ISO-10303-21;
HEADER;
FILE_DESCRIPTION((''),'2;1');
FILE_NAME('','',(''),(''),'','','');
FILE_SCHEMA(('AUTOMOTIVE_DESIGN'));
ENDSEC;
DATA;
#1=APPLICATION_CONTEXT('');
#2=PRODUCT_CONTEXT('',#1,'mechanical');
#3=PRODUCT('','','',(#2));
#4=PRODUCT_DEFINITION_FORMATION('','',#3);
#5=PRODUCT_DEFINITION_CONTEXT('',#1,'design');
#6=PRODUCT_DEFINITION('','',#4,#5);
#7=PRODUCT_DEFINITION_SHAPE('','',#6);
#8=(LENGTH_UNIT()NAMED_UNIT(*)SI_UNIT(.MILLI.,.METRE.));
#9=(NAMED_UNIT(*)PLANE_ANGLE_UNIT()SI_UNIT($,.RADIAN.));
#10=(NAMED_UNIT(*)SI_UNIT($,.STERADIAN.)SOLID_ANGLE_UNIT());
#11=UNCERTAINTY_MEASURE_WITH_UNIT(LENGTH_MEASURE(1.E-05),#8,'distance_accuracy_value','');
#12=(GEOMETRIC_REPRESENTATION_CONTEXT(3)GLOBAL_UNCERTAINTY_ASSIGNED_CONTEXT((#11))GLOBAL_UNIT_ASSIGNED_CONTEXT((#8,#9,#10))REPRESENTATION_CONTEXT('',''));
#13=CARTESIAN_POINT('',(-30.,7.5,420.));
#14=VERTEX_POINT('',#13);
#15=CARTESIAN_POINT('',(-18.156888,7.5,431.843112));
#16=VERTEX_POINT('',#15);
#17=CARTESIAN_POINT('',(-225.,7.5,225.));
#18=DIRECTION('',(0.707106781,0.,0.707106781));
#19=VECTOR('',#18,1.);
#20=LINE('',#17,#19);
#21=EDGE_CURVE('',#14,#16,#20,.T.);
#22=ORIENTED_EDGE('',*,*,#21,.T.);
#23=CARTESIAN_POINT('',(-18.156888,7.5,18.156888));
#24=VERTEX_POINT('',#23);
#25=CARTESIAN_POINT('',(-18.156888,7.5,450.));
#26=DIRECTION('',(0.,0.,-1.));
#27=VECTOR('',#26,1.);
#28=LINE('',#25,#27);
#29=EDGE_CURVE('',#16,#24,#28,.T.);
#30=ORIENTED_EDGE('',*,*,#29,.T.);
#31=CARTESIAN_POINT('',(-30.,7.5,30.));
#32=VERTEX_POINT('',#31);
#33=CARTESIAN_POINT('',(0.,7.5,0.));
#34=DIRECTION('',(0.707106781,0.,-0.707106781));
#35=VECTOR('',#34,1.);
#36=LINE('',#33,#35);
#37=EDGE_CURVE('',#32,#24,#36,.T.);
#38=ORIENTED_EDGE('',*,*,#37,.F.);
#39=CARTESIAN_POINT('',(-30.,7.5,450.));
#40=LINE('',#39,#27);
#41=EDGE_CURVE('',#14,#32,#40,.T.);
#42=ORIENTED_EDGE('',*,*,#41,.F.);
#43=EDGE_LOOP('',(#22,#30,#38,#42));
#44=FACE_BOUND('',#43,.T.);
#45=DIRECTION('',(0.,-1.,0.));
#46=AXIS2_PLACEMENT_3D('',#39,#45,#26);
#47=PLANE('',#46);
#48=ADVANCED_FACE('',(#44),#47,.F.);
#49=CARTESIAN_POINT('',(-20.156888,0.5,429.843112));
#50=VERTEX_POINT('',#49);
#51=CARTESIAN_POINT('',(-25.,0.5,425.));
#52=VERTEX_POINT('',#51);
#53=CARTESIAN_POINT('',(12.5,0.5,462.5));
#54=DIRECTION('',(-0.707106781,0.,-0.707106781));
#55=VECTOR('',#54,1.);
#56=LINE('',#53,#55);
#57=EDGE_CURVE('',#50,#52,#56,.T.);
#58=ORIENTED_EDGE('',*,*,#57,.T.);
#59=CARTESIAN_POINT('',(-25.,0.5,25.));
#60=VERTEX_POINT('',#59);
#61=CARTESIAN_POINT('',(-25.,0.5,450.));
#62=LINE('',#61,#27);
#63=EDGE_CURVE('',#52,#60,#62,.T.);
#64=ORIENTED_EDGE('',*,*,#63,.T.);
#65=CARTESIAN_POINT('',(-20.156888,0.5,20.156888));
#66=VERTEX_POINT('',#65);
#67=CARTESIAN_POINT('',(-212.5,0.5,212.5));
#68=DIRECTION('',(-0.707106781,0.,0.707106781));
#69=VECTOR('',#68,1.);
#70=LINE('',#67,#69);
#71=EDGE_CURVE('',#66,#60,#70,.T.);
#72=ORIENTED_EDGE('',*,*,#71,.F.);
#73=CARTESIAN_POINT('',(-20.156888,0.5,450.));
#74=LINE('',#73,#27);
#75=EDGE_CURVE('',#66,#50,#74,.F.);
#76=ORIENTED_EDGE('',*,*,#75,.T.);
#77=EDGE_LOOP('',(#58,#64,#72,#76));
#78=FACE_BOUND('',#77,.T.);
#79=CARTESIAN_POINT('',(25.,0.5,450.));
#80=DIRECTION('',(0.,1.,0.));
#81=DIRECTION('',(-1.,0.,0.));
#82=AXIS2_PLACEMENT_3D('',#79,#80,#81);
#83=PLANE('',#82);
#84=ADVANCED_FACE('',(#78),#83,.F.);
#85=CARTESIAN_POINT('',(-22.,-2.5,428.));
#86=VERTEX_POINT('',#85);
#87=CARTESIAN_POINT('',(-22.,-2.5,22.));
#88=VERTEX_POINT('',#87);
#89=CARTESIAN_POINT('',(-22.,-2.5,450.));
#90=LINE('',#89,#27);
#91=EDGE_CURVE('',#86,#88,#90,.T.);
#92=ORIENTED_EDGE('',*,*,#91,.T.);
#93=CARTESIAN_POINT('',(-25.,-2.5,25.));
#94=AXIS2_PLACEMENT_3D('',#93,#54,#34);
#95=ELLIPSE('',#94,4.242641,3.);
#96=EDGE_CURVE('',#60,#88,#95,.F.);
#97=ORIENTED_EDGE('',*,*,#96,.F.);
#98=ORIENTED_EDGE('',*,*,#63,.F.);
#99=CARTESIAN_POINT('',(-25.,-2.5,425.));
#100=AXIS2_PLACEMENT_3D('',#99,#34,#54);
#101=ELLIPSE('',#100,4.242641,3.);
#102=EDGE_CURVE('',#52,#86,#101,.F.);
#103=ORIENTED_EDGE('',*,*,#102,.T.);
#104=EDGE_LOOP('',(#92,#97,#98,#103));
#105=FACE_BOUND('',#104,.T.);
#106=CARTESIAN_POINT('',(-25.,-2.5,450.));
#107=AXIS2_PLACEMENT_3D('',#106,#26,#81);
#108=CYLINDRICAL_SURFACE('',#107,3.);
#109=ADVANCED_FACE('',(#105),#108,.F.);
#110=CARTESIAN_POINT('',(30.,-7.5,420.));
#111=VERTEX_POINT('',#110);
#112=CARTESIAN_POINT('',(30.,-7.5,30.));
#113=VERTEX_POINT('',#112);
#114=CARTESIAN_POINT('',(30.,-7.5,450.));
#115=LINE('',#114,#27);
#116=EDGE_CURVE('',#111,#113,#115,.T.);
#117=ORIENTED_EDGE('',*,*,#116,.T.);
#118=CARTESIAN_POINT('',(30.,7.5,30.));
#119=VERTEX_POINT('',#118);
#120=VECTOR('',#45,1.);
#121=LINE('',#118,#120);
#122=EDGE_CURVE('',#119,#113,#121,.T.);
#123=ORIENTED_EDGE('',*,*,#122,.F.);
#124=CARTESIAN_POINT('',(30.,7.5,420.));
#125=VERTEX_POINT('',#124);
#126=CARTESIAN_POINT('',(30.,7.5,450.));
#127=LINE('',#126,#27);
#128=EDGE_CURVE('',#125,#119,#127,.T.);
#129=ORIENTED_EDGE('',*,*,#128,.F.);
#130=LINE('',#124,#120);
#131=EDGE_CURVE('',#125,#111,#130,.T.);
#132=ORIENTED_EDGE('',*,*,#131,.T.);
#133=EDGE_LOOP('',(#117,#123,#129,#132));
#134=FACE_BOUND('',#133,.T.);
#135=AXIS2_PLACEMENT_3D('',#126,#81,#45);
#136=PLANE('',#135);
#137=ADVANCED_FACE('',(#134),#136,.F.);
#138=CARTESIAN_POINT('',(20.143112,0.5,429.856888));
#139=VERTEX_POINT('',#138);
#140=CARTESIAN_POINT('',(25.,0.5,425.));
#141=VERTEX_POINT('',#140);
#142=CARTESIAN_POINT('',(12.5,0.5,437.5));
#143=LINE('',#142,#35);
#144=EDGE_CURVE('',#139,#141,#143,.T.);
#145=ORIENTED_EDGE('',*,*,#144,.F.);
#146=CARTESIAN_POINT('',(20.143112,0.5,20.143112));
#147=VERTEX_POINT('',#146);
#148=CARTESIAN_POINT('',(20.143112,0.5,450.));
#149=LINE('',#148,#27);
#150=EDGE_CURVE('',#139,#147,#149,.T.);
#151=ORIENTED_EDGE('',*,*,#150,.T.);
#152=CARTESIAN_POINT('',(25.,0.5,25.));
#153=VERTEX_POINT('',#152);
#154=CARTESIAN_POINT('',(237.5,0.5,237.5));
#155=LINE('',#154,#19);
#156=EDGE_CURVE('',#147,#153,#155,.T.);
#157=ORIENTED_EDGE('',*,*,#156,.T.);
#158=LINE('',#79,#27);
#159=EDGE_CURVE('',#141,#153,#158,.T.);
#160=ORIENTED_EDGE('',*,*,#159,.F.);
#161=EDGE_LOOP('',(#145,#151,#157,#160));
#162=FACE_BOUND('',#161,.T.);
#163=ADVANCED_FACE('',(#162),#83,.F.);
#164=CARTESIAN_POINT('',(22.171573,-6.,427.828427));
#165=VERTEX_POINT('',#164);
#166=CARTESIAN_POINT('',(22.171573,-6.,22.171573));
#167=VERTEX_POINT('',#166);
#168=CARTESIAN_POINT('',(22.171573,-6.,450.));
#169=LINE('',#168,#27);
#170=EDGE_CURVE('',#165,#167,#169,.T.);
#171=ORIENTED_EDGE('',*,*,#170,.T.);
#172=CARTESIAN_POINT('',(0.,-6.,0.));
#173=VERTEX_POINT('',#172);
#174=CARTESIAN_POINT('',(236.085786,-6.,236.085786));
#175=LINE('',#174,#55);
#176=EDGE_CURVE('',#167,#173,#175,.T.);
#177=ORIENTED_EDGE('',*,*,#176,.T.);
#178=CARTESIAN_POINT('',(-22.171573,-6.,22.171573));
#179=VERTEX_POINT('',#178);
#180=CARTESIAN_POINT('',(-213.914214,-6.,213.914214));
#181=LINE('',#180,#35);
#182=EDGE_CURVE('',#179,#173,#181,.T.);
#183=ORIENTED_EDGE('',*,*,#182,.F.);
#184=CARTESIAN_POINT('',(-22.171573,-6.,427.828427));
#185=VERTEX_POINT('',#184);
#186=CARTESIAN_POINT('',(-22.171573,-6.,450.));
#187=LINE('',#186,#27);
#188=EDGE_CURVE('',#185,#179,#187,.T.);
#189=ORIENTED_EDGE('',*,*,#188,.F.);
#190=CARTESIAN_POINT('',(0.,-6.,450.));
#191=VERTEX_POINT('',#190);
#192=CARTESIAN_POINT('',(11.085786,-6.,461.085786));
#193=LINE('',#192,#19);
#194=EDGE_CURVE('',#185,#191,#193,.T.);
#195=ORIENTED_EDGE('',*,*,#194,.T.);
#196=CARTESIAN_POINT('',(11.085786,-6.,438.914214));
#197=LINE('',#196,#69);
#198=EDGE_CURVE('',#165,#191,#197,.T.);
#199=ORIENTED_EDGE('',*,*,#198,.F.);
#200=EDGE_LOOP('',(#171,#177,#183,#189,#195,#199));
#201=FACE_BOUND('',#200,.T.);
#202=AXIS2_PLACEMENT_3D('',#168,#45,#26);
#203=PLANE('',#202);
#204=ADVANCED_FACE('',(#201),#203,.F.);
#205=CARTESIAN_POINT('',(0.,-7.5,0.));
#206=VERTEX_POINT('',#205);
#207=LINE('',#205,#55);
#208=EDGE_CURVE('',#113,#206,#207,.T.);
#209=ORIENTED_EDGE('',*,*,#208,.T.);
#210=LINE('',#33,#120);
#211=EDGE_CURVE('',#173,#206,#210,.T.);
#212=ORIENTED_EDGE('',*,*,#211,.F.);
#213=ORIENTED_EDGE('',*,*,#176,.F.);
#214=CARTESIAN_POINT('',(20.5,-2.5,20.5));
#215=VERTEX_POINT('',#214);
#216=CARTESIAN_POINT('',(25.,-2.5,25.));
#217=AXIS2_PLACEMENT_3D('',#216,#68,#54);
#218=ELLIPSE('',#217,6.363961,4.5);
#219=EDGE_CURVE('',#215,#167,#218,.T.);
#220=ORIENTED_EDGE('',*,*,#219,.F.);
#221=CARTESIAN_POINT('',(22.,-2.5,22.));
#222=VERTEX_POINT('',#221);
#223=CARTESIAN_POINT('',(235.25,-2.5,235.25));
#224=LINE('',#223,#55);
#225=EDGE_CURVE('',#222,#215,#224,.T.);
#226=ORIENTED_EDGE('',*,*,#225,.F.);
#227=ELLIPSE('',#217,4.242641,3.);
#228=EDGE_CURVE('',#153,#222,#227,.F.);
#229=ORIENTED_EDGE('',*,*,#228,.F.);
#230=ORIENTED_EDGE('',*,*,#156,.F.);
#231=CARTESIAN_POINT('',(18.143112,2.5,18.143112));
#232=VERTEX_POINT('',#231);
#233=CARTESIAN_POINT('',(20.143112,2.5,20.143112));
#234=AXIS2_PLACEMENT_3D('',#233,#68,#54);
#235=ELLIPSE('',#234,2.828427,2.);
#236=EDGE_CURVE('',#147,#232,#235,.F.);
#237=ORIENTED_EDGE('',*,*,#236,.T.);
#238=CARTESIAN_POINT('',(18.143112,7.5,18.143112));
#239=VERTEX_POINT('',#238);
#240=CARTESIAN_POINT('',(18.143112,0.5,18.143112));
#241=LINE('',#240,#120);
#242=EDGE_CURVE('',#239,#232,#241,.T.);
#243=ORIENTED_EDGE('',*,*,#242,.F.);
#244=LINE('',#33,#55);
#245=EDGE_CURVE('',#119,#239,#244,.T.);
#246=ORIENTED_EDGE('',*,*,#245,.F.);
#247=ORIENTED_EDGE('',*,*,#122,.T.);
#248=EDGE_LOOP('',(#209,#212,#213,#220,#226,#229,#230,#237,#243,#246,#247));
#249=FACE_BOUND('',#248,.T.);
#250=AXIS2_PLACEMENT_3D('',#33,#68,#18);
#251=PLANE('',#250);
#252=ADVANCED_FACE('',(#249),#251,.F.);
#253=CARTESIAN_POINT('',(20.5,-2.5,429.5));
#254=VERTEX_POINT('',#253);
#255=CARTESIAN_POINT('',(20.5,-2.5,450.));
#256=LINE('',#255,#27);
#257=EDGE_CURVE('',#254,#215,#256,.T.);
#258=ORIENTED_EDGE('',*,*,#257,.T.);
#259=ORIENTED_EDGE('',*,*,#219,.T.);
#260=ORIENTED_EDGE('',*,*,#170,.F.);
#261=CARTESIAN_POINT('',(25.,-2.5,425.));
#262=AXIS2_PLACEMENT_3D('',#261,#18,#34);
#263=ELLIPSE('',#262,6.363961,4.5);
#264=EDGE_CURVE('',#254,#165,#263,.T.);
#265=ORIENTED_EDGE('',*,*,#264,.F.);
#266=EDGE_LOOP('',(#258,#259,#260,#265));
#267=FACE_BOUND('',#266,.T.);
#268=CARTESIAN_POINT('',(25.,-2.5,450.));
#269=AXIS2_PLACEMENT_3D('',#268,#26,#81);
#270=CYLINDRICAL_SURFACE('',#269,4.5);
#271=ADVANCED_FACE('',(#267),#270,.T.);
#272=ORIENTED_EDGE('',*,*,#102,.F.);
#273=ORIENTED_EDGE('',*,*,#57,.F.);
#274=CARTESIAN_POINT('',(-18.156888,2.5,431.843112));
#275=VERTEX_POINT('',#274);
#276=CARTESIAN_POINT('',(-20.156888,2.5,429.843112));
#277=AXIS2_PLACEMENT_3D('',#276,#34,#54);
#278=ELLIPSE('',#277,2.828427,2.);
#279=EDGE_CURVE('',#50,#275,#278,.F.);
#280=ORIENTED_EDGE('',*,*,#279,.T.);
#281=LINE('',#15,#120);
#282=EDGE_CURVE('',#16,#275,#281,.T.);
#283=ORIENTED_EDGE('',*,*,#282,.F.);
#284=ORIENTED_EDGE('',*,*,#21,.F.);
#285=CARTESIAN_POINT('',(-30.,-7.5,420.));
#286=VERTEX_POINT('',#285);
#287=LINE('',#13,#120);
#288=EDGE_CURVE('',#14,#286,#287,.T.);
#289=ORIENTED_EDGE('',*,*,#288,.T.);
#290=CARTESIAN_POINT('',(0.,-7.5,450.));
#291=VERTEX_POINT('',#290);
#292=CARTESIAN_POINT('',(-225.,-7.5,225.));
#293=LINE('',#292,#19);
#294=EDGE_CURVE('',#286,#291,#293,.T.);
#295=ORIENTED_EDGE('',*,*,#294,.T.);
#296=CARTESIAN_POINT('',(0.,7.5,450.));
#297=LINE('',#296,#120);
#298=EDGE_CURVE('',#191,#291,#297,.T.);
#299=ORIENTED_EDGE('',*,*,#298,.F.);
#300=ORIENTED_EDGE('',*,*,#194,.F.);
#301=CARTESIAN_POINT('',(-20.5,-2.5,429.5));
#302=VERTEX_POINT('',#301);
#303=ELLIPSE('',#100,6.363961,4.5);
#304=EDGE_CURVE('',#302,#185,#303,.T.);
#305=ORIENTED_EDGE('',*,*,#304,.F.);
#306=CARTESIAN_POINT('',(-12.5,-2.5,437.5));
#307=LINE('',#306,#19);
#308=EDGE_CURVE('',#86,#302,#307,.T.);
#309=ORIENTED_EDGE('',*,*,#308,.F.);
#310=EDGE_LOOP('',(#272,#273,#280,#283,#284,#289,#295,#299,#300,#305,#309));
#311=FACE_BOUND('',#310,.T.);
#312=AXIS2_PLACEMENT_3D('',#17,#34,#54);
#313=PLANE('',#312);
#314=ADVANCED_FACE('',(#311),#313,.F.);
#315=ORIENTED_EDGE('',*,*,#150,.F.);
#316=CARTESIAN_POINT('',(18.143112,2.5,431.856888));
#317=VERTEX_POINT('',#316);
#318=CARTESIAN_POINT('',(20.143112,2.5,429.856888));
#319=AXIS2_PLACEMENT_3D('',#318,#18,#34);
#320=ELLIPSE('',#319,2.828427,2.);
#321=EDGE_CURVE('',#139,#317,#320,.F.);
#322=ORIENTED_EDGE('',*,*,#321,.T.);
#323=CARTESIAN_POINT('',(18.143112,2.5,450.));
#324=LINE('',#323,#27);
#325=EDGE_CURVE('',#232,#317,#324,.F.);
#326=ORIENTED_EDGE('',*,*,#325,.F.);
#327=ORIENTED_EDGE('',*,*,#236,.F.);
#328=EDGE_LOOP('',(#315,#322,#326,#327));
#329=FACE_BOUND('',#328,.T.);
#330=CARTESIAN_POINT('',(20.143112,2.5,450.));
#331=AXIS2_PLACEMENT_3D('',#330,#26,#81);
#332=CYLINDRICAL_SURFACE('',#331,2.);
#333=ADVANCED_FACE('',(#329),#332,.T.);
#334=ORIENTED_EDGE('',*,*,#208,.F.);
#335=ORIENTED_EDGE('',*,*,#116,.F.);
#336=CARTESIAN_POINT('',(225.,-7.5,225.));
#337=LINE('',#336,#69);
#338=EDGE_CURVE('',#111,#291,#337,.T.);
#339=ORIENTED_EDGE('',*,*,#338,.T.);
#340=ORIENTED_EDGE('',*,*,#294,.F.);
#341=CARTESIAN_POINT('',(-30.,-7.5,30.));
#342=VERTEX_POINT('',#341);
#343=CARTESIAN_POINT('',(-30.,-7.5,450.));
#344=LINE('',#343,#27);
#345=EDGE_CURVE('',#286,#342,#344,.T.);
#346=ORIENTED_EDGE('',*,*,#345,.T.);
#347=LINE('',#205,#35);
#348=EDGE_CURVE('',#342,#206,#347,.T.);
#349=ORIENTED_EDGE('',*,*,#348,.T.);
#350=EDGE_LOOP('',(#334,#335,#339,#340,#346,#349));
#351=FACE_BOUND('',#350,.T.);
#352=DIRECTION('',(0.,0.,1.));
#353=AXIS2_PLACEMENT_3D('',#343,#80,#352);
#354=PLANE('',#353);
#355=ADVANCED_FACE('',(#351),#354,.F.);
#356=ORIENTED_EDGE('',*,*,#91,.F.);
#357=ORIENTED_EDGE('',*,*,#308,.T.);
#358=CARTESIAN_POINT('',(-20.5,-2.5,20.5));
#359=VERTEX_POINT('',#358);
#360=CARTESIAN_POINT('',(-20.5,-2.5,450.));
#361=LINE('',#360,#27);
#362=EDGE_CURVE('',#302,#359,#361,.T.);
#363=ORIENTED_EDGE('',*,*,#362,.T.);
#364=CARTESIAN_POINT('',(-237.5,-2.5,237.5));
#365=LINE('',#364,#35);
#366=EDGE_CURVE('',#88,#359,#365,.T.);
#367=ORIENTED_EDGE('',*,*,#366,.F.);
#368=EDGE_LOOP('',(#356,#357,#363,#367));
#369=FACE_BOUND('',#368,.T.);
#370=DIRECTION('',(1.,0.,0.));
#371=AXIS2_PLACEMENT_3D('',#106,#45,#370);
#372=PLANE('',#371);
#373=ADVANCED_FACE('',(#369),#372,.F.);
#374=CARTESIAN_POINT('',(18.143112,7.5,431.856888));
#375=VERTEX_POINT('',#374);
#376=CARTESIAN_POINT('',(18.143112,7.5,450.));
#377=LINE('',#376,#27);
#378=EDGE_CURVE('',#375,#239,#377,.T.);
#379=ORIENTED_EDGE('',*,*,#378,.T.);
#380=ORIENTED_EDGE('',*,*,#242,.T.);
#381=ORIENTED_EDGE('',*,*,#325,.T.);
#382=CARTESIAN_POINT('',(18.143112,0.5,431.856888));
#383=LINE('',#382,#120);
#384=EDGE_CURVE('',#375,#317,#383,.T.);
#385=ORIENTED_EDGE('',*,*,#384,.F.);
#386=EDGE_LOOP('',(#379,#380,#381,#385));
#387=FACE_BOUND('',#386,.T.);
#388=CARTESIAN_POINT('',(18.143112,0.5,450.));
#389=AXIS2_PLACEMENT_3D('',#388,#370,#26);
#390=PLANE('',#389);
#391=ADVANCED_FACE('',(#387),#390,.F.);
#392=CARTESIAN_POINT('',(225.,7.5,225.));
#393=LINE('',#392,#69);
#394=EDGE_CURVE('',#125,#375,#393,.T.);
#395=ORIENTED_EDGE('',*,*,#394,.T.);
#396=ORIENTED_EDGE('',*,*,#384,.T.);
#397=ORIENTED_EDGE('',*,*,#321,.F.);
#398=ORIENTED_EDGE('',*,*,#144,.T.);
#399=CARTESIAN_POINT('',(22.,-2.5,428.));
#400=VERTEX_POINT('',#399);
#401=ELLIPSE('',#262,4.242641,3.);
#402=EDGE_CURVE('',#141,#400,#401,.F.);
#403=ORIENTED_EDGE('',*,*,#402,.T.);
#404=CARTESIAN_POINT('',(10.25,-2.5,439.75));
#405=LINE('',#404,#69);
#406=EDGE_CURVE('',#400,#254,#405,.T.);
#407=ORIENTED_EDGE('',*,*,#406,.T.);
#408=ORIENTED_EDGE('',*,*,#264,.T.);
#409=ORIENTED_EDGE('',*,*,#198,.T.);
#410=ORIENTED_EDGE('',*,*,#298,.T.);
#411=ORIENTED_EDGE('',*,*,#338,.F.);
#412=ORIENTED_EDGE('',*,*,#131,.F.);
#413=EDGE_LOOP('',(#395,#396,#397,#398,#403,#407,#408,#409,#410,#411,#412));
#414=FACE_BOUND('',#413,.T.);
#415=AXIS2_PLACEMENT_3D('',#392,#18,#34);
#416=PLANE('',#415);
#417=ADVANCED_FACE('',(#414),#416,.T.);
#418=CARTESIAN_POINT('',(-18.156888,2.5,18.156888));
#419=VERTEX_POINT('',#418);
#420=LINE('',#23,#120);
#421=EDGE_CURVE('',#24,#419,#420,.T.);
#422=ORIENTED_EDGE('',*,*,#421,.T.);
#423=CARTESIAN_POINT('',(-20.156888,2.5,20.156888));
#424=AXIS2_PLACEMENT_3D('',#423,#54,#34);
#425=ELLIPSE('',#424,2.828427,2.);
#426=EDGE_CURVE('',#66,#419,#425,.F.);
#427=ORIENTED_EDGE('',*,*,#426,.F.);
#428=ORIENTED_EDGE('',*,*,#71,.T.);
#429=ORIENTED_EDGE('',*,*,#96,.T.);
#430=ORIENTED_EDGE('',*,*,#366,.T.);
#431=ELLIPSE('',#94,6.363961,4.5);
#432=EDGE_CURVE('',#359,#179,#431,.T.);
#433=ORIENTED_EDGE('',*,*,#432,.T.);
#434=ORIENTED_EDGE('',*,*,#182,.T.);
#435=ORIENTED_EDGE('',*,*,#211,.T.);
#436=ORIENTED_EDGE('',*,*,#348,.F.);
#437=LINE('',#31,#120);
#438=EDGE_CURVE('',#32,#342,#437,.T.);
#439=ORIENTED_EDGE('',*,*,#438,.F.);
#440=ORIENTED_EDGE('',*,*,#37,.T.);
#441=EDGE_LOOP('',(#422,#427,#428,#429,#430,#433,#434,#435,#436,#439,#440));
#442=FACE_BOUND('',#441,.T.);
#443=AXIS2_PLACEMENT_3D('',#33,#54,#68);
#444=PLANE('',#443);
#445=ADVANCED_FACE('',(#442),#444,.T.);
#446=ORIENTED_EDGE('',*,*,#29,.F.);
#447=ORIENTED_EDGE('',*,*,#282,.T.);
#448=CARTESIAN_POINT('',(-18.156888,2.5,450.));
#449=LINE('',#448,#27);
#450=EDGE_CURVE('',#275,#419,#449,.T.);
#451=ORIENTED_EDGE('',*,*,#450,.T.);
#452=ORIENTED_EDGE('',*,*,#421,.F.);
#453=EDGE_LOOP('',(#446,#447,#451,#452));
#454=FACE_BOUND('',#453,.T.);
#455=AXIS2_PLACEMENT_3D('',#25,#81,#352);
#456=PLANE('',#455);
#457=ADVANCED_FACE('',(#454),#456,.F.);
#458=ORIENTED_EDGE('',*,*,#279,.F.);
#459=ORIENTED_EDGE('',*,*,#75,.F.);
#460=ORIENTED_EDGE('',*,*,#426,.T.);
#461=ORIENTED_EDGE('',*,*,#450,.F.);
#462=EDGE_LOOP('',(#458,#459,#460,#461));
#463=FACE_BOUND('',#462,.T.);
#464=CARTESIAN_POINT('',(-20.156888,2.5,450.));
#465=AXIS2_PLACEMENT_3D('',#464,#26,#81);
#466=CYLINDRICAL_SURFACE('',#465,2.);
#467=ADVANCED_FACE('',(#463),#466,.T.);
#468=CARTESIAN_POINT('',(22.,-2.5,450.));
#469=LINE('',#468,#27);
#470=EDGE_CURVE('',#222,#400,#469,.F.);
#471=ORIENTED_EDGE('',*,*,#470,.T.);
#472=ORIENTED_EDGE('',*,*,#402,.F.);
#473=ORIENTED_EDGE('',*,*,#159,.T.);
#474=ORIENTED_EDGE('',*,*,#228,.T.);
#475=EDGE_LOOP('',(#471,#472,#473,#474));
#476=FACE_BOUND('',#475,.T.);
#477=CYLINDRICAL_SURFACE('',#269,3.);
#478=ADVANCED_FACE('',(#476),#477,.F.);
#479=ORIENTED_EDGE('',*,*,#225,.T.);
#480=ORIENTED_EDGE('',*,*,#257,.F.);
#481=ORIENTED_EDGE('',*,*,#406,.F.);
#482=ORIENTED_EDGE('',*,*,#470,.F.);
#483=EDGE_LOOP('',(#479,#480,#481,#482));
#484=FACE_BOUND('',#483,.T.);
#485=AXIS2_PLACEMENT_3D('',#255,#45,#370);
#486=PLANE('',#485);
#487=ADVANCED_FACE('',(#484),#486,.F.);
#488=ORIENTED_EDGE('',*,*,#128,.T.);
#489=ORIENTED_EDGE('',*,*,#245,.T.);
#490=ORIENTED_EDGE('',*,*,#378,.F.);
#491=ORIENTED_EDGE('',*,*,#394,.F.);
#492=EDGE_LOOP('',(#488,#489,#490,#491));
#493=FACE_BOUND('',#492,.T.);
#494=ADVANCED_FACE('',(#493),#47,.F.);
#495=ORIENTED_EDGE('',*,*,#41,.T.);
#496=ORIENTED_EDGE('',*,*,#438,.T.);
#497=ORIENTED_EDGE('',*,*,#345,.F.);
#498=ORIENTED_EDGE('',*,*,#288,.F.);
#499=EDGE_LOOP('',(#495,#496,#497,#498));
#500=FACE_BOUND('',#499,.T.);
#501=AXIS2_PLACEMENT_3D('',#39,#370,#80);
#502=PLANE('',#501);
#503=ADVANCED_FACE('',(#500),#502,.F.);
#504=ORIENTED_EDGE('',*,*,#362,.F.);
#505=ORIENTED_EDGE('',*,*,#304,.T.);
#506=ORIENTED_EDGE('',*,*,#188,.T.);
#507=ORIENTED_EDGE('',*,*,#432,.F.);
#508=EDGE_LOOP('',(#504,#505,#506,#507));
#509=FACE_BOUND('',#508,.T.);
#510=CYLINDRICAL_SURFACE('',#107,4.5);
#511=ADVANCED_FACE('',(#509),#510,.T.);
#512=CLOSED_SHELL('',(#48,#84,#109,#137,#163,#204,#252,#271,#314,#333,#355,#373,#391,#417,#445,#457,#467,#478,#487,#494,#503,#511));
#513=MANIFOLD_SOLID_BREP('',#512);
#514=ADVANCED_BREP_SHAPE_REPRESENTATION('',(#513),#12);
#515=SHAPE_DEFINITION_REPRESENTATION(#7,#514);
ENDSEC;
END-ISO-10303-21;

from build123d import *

# Parameters (mm, degrees)
SKETCH_1_W          = 60
SKETCH_1_H          = 15
EXTRUDE_1_DEPTH     = 450
SKETCH_2_R          = 3
CUT_EXTRUDE_1_DEPTH = 452.061248613
CUT_EXTRUDE_2_DEPTH = 452.061248613
SKETCH_4_W          = 36.3
SKETCH_4_H          = 7
CUT_EXTRUDE_3_DEPTH = 452.061248613
FILLET_1_R          = 2
CUT_EXTRUDE_4_DEPTH = 452.248268695


with BuildPart() as part:
    # 스케치1 → 보스-돌출1 (new body)
    with BuildSketch(Plane.XY):
        Rectangle(SKETCH_1_W, SKETCH_1_H)
    extrude(amount=EXTRUDE_1_DEPTH)

    # 스케치2 → 컷-돌출1 (cut, through all)
    with BuildSketch(Plane(origin=(0, 0, 0), x_dir=(-1, 0, 0), z_dir=(0, 0, -1))):
        with Locations((-25, -2.5)):
            Circle(SKETCH_2_R)
        with Locations((25, -2.5)):
            Circle(SKETCH_2_R)
    extrude(amount=-CUT_EXTRUDE_1_DEPTH, mode=Mode.SUBTRACT)

    # 스케치3 → 컷-돌출2 (cut, through all)
    with BuildSketch(Plane(origin=(0, 0, 0), x_dir=(-1, 0, 0), z_dir=(0, 0, -1))):
        with BuildLine():
            Line((-22.171572875, -6), (22.171572875, -6))
            ThreePointArc((22.171572875, -6), (20.939339828, -4.439339828), (20.5, -2.5))
            Line((20.5, -2.5), (25, -2.5))
            Line((25, -2.5), (25, 0.5))
            Line((25, 0.5), (-25, 0.5))
            Line((-25, 0.5), (-25, -2.5))
            Line((-25, -2.5), (-20.5, -2.5))
            ThreePointArc((-20.5, -2.5), (-20.939339828, -4.439339828), (-22.171572875, -6))
        make_face()
    extrude(amount=-CUT_EXTRUDE_2_DEPTH, mode=Mode.SUBTRACT)

    # 스케치4 → 컷-돌출3 (cut, through all)
    with BuildSketch(Plane(origin=(0, 0, 0), x_dir=(-1, 0, 0), z_dir=(0, 0, -1))):
        with Locations((0.006888359, 4)):
            Rectangle(SKETCH_4_W, SKETCH_4_H)
    extrude(amount=-CUT_EXTRUDE_3_DEPTH, mode=Mode.SUBTRACT)

    # 필렛1
    fillet_1_edges = [part.edges().sort_by_distance(p)[0] for p in [
        (-18.156888359, 0.5, 225),
        (18.143111641, 0.5, 225),
    ]]
    fillet(fillet_1_edges, radius=FILLET_1_R)

    # 스케치5 → 컷-돌출4 (cut, through all)
    with BuildSketch(Plane.XZ.offset(7.5)):
        Polygon((30, 450), (0, 450), (30, 420), align=None)
        Polygon((0, 450), (-30, 450), (-30, 420), align=None)
        Polygon((0, 0), (-30, 30), (-30, 0), align=None)
        Polygon((30, 30), (0, 0), (30, 0), align=None)
    extrude(amount=-CUT_EXTRUDE_4_DEPTH, mode=Mode.SUBTRACT)


solid = part.part
